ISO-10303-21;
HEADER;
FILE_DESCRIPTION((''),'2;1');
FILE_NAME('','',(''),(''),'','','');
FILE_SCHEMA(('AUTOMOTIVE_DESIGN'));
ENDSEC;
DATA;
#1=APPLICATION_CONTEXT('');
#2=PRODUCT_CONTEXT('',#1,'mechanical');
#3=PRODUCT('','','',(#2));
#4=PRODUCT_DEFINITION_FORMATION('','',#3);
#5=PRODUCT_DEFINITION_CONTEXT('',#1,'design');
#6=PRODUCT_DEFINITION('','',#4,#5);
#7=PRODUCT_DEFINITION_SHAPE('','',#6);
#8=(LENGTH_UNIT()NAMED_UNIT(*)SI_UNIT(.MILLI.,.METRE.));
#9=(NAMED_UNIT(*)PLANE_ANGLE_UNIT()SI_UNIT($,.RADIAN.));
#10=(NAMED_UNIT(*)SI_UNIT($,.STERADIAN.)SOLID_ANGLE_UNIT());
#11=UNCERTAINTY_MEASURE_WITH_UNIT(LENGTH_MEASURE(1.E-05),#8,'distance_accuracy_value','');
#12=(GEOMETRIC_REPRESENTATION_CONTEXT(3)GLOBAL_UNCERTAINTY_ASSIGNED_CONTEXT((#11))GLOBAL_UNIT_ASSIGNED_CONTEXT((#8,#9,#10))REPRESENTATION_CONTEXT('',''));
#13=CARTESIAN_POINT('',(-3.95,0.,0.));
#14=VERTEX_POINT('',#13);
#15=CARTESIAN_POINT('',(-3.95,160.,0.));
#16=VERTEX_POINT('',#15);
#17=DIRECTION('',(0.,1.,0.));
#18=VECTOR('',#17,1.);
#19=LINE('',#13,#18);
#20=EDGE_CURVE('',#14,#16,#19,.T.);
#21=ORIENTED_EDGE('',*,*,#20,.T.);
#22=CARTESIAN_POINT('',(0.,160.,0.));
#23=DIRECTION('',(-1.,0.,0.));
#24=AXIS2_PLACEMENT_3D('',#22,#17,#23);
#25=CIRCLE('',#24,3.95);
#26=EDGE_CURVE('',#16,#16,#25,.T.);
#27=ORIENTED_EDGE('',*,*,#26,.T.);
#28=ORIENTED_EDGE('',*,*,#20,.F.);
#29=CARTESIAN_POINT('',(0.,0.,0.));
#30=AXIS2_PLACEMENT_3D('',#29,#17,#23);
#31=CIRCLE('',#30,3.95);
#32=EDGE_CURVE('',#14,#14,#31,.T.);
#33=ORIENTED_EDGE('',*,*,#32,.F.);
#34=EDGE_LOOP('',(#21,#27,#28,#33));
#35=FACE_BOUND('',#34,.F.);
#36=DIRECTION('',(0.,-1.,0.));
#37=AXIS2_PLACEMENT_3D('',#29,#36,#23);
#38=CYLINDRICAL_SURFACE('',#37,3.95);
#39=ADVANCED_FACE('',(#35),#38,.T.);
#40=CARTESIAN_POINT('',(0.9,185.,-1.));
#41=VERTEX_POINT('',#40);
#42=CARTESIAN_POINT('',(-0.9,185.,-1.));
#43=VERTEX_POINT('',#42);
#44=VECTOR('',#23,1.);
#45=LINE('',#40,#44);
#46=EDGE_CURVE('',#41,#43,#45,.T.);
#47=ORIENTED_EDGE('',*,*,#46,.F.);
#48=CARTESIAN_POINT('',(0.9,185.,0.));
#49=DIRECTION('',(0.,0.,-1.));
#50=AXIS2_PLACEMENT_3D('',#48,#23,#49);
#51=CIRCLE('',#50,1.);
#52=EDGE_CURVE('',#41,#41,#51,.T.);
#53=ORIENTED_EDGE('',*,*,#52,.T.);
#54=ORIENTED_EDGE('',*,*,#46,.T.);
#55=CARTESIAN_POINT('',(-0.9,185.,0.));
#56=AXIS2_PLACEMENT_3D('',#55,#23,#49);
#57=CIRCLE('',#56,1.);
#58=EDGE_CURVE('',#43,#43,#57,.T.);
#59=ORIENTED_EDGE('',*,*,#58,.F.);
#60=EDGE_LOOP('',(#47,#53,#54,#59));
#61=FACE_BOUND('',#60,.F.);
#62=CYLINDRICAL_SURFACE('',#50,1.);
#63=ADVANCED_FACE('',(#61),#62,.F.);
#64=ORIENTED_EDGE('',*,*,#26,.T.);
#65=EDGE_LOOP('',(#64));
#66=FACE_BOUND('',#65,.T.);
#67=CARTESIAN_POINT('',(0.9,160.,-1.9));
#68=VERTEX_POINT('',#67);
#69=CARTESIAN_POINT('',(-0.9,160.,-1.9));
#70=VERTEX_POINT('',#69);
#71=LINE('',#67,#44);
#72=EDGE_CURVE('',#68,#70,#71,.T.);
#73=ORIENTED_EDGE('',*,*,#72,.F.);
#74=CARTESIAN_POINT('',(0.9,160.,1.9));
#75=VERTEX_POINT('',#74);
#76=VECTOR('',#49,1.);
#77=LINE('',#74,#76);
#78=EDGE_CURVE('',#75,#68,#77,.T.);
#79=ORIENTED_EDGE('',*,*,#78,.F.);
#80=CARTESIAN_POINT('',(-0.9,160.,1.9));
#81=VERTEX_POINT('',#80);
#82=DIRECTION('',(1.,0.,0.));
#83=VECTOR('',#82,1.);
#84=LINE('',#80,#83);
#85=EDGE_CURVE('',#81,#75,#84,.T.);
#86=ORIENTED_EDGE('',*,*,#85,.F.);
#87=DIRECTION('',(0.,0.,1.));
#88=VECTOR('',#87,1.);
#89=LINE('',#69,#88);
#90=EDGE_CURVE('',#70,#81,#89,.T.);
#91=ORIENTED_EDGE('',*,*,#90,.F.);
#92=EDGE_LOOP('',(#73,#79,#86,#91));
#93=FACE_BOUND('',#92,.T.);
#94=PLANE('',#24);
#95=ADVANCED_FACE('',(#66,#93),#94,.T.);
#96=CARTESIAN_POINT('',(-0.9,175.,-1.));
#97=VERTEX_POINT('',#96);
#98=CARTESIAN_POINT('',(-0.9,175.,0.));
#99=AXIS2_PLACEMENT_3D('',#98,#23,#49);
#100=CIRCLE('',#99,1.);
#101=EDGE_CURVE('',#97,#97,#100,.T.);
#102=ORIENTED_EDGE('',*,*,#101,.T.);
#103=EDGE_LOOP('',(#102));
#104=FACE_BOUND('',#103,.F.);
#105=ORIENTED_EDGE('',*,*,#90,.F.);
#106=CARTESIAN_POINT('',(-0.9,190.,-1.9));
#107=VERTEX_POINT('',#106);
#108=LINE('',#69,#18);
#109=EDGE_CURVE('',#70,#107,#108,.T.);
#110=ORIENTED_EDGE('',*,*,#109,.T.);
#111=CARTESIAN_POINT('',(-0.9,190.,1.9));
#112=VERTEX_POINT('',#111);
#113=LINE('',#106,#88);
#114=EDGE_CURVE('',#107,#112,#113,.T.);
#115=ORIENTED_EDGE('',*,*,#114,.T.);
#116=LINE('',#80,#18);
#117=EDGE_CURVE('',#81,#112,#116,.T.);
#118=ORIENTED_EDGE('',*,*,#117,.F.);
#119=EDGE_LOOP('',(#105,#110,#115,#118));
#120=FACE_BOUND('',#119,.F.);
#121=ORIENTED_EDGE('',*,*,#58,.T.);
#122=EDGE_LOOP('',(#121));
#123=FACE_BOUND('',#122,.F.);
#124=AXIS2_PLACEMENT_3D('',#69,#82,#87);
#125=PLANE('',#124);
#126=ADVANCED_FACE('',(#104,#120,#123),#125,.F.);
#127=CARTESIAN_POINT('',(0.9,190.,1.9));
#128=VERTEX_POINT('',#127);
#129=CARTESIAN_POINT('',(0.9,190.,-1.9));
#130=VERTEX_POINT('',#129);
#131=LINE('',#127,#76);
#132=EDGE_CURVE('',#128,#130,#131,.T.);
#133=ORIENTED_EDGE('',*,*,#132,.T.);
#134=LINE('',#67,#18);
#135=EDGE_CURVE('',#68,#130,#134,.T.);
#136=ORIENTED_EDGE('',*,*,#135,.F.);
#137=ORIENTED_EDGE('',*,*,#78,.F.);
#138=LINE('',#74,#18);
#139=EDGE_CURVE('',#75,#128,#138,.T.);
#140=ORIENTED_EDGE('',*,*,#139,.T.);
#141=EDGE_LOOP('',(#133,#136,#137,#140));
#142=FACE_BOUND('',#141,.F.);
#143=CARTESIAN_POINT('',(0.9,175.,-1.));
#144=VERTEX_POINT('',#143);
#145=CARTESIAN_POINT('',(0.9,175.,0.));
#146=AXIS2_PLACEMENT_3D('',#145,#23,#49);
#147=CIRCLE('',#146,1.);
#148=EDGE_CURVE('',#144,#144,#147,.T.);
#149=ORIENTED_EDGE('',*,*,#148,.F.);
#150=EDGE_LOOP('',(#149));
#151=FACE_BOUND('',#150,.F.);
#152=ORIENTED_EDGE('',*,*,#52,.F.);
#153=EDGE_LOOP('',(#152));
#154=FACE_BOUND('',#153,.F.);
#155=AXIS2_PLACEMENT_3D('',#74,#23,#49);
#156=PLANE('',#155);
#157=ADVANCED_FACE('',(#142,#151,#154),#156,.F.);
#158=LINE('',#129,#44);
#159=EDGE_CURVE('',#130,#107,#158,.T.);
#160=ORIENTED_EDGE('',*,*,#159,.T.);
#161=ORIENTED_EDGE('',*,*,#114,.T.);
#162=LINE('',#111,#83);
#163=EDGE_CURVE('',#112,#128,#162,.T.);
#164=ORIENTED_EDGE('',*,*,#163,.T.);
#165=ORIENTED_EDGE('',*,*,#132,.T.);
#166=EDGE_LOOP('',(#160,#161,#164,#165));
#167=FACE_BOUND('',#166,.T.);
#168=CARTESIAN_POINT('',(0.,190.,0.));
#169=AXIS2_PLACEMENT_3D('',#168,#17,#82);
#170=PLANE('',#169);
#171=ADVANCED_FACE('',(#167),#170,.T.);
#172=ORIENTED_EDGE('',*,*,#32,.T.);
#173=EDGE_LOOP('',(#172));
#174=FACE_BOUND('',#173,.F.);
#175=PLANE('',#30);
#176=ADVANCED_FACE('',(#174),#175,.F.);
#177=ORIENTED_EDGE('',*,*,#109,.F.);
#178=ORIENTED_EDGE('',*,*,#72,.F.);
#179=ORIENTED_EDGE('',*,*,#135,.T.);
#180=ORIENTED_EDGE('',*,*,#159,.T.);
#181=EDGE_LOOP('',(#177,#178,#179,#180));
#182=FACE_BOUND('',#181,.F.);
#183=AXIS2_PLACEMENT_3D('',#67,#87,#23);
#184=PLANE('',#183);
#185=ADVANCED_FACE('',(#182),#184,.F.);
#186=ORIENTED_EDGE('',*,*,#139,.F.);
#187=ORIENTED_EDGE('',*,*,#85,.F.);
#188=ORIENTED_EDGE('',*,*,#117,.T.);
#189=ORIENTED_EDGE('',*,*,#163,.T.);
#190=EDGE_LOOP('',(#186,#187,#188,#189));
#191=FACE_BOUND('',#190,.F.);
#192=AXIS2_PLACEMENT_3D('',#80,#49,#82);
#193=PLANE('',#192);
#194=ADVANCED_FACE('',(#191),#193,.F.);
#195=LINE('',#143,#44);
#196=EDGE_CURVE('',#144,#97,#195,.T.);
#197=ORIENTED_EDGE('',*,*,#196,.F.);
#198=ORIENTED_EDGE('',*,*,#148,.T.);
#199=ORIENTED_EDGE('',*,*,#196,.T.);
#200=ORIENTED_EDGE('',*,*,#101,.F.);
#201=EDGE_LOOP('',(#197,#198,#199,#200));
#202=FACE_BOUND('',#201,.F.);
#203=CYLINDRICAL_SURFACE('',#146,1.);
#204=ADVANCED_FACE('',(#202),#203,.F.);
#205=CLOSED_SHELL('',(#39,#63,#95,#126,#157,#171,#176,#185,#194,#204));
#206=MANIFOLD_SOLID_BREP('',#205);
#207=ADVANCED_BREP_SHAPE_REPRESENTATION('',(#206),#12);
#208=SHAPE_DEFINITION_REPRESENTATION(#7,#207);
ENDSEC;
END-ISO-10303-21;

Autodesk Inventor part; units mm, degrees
ref_plane "YZ Plane" through (0, 0, 0) normal (1, 0, 0) x (0, 1, 0)
ref_plane "XZ Plane" through (0, 0, 0) normal (0, 1, 0) x (-1, 0, 0)
ref_plane "XY Plane" through (0, 0, 0) normal (0, 0, 1) x (1, 0, 0)
sketch "Sketch1" plane through (0, 0, 0) normal (0, 1, 0) x (-1, 0, 0)
  circle A0 centre (0, 0) radius 3.95
  dimension "d0" = 7.9
extrude "Extrusion1" add sketch "Sketch1" along normal blind 160
sketch "Sketch2" plane through (0, 160, 0) normal (0, 1, 0) x (1, 0, 0)
  line L0 (-0.9, -1.9) -> (0.9, -1.9)
  line L1 (0.9, -1.9) -> (0.9, 1.9)
  line L2 (0.9, 1.9) -> (-0.9, 1.9)
  line L3 (-0.9, 1.9) -> (-0.9, -1.9)
  line L4 (-0.9, -1.9) -> (0.9, 1.9) construction
  line L5 (0.9, -1.9) -> (-0.9, 1.9) construction
  point P0 (0, 0)
  dimension "d3" = 3.8
  dimension "d4" = 1.8
extrude "Extrusion2" add sketch "Sketch2" along normal blind 30
sketch "Sketch3" plane through (0.9, 160, 1.9) normal (1, 0, 0) x (0, 0, -1)
  line L0 (0, 30) -> (3.8, 30) projected
  line L1 (1.9, 30) -> (1.9, 25)
  circle A0 centre (1.9, 25) radius 1.1
  line L2 (1.9, 25) -> (1.9, 15)
  line L3 (3.8, 0) -> (3.8, 30) projected
  circle A1 centre (1.9, 15) radius 1.1
  point P0 (1.9, -160)
  dimension "d7" = 5
  dimension "d8" = 2.2
  dimension "d9" = 10
  dimension "d10" = 2.2
hole "Hole1" at (0.9, 185, 0) at (0.9, 175, 0) direction (-1, 0, 0) diameter 2 end through all
properties part number "Stereotax adaptor v4"
